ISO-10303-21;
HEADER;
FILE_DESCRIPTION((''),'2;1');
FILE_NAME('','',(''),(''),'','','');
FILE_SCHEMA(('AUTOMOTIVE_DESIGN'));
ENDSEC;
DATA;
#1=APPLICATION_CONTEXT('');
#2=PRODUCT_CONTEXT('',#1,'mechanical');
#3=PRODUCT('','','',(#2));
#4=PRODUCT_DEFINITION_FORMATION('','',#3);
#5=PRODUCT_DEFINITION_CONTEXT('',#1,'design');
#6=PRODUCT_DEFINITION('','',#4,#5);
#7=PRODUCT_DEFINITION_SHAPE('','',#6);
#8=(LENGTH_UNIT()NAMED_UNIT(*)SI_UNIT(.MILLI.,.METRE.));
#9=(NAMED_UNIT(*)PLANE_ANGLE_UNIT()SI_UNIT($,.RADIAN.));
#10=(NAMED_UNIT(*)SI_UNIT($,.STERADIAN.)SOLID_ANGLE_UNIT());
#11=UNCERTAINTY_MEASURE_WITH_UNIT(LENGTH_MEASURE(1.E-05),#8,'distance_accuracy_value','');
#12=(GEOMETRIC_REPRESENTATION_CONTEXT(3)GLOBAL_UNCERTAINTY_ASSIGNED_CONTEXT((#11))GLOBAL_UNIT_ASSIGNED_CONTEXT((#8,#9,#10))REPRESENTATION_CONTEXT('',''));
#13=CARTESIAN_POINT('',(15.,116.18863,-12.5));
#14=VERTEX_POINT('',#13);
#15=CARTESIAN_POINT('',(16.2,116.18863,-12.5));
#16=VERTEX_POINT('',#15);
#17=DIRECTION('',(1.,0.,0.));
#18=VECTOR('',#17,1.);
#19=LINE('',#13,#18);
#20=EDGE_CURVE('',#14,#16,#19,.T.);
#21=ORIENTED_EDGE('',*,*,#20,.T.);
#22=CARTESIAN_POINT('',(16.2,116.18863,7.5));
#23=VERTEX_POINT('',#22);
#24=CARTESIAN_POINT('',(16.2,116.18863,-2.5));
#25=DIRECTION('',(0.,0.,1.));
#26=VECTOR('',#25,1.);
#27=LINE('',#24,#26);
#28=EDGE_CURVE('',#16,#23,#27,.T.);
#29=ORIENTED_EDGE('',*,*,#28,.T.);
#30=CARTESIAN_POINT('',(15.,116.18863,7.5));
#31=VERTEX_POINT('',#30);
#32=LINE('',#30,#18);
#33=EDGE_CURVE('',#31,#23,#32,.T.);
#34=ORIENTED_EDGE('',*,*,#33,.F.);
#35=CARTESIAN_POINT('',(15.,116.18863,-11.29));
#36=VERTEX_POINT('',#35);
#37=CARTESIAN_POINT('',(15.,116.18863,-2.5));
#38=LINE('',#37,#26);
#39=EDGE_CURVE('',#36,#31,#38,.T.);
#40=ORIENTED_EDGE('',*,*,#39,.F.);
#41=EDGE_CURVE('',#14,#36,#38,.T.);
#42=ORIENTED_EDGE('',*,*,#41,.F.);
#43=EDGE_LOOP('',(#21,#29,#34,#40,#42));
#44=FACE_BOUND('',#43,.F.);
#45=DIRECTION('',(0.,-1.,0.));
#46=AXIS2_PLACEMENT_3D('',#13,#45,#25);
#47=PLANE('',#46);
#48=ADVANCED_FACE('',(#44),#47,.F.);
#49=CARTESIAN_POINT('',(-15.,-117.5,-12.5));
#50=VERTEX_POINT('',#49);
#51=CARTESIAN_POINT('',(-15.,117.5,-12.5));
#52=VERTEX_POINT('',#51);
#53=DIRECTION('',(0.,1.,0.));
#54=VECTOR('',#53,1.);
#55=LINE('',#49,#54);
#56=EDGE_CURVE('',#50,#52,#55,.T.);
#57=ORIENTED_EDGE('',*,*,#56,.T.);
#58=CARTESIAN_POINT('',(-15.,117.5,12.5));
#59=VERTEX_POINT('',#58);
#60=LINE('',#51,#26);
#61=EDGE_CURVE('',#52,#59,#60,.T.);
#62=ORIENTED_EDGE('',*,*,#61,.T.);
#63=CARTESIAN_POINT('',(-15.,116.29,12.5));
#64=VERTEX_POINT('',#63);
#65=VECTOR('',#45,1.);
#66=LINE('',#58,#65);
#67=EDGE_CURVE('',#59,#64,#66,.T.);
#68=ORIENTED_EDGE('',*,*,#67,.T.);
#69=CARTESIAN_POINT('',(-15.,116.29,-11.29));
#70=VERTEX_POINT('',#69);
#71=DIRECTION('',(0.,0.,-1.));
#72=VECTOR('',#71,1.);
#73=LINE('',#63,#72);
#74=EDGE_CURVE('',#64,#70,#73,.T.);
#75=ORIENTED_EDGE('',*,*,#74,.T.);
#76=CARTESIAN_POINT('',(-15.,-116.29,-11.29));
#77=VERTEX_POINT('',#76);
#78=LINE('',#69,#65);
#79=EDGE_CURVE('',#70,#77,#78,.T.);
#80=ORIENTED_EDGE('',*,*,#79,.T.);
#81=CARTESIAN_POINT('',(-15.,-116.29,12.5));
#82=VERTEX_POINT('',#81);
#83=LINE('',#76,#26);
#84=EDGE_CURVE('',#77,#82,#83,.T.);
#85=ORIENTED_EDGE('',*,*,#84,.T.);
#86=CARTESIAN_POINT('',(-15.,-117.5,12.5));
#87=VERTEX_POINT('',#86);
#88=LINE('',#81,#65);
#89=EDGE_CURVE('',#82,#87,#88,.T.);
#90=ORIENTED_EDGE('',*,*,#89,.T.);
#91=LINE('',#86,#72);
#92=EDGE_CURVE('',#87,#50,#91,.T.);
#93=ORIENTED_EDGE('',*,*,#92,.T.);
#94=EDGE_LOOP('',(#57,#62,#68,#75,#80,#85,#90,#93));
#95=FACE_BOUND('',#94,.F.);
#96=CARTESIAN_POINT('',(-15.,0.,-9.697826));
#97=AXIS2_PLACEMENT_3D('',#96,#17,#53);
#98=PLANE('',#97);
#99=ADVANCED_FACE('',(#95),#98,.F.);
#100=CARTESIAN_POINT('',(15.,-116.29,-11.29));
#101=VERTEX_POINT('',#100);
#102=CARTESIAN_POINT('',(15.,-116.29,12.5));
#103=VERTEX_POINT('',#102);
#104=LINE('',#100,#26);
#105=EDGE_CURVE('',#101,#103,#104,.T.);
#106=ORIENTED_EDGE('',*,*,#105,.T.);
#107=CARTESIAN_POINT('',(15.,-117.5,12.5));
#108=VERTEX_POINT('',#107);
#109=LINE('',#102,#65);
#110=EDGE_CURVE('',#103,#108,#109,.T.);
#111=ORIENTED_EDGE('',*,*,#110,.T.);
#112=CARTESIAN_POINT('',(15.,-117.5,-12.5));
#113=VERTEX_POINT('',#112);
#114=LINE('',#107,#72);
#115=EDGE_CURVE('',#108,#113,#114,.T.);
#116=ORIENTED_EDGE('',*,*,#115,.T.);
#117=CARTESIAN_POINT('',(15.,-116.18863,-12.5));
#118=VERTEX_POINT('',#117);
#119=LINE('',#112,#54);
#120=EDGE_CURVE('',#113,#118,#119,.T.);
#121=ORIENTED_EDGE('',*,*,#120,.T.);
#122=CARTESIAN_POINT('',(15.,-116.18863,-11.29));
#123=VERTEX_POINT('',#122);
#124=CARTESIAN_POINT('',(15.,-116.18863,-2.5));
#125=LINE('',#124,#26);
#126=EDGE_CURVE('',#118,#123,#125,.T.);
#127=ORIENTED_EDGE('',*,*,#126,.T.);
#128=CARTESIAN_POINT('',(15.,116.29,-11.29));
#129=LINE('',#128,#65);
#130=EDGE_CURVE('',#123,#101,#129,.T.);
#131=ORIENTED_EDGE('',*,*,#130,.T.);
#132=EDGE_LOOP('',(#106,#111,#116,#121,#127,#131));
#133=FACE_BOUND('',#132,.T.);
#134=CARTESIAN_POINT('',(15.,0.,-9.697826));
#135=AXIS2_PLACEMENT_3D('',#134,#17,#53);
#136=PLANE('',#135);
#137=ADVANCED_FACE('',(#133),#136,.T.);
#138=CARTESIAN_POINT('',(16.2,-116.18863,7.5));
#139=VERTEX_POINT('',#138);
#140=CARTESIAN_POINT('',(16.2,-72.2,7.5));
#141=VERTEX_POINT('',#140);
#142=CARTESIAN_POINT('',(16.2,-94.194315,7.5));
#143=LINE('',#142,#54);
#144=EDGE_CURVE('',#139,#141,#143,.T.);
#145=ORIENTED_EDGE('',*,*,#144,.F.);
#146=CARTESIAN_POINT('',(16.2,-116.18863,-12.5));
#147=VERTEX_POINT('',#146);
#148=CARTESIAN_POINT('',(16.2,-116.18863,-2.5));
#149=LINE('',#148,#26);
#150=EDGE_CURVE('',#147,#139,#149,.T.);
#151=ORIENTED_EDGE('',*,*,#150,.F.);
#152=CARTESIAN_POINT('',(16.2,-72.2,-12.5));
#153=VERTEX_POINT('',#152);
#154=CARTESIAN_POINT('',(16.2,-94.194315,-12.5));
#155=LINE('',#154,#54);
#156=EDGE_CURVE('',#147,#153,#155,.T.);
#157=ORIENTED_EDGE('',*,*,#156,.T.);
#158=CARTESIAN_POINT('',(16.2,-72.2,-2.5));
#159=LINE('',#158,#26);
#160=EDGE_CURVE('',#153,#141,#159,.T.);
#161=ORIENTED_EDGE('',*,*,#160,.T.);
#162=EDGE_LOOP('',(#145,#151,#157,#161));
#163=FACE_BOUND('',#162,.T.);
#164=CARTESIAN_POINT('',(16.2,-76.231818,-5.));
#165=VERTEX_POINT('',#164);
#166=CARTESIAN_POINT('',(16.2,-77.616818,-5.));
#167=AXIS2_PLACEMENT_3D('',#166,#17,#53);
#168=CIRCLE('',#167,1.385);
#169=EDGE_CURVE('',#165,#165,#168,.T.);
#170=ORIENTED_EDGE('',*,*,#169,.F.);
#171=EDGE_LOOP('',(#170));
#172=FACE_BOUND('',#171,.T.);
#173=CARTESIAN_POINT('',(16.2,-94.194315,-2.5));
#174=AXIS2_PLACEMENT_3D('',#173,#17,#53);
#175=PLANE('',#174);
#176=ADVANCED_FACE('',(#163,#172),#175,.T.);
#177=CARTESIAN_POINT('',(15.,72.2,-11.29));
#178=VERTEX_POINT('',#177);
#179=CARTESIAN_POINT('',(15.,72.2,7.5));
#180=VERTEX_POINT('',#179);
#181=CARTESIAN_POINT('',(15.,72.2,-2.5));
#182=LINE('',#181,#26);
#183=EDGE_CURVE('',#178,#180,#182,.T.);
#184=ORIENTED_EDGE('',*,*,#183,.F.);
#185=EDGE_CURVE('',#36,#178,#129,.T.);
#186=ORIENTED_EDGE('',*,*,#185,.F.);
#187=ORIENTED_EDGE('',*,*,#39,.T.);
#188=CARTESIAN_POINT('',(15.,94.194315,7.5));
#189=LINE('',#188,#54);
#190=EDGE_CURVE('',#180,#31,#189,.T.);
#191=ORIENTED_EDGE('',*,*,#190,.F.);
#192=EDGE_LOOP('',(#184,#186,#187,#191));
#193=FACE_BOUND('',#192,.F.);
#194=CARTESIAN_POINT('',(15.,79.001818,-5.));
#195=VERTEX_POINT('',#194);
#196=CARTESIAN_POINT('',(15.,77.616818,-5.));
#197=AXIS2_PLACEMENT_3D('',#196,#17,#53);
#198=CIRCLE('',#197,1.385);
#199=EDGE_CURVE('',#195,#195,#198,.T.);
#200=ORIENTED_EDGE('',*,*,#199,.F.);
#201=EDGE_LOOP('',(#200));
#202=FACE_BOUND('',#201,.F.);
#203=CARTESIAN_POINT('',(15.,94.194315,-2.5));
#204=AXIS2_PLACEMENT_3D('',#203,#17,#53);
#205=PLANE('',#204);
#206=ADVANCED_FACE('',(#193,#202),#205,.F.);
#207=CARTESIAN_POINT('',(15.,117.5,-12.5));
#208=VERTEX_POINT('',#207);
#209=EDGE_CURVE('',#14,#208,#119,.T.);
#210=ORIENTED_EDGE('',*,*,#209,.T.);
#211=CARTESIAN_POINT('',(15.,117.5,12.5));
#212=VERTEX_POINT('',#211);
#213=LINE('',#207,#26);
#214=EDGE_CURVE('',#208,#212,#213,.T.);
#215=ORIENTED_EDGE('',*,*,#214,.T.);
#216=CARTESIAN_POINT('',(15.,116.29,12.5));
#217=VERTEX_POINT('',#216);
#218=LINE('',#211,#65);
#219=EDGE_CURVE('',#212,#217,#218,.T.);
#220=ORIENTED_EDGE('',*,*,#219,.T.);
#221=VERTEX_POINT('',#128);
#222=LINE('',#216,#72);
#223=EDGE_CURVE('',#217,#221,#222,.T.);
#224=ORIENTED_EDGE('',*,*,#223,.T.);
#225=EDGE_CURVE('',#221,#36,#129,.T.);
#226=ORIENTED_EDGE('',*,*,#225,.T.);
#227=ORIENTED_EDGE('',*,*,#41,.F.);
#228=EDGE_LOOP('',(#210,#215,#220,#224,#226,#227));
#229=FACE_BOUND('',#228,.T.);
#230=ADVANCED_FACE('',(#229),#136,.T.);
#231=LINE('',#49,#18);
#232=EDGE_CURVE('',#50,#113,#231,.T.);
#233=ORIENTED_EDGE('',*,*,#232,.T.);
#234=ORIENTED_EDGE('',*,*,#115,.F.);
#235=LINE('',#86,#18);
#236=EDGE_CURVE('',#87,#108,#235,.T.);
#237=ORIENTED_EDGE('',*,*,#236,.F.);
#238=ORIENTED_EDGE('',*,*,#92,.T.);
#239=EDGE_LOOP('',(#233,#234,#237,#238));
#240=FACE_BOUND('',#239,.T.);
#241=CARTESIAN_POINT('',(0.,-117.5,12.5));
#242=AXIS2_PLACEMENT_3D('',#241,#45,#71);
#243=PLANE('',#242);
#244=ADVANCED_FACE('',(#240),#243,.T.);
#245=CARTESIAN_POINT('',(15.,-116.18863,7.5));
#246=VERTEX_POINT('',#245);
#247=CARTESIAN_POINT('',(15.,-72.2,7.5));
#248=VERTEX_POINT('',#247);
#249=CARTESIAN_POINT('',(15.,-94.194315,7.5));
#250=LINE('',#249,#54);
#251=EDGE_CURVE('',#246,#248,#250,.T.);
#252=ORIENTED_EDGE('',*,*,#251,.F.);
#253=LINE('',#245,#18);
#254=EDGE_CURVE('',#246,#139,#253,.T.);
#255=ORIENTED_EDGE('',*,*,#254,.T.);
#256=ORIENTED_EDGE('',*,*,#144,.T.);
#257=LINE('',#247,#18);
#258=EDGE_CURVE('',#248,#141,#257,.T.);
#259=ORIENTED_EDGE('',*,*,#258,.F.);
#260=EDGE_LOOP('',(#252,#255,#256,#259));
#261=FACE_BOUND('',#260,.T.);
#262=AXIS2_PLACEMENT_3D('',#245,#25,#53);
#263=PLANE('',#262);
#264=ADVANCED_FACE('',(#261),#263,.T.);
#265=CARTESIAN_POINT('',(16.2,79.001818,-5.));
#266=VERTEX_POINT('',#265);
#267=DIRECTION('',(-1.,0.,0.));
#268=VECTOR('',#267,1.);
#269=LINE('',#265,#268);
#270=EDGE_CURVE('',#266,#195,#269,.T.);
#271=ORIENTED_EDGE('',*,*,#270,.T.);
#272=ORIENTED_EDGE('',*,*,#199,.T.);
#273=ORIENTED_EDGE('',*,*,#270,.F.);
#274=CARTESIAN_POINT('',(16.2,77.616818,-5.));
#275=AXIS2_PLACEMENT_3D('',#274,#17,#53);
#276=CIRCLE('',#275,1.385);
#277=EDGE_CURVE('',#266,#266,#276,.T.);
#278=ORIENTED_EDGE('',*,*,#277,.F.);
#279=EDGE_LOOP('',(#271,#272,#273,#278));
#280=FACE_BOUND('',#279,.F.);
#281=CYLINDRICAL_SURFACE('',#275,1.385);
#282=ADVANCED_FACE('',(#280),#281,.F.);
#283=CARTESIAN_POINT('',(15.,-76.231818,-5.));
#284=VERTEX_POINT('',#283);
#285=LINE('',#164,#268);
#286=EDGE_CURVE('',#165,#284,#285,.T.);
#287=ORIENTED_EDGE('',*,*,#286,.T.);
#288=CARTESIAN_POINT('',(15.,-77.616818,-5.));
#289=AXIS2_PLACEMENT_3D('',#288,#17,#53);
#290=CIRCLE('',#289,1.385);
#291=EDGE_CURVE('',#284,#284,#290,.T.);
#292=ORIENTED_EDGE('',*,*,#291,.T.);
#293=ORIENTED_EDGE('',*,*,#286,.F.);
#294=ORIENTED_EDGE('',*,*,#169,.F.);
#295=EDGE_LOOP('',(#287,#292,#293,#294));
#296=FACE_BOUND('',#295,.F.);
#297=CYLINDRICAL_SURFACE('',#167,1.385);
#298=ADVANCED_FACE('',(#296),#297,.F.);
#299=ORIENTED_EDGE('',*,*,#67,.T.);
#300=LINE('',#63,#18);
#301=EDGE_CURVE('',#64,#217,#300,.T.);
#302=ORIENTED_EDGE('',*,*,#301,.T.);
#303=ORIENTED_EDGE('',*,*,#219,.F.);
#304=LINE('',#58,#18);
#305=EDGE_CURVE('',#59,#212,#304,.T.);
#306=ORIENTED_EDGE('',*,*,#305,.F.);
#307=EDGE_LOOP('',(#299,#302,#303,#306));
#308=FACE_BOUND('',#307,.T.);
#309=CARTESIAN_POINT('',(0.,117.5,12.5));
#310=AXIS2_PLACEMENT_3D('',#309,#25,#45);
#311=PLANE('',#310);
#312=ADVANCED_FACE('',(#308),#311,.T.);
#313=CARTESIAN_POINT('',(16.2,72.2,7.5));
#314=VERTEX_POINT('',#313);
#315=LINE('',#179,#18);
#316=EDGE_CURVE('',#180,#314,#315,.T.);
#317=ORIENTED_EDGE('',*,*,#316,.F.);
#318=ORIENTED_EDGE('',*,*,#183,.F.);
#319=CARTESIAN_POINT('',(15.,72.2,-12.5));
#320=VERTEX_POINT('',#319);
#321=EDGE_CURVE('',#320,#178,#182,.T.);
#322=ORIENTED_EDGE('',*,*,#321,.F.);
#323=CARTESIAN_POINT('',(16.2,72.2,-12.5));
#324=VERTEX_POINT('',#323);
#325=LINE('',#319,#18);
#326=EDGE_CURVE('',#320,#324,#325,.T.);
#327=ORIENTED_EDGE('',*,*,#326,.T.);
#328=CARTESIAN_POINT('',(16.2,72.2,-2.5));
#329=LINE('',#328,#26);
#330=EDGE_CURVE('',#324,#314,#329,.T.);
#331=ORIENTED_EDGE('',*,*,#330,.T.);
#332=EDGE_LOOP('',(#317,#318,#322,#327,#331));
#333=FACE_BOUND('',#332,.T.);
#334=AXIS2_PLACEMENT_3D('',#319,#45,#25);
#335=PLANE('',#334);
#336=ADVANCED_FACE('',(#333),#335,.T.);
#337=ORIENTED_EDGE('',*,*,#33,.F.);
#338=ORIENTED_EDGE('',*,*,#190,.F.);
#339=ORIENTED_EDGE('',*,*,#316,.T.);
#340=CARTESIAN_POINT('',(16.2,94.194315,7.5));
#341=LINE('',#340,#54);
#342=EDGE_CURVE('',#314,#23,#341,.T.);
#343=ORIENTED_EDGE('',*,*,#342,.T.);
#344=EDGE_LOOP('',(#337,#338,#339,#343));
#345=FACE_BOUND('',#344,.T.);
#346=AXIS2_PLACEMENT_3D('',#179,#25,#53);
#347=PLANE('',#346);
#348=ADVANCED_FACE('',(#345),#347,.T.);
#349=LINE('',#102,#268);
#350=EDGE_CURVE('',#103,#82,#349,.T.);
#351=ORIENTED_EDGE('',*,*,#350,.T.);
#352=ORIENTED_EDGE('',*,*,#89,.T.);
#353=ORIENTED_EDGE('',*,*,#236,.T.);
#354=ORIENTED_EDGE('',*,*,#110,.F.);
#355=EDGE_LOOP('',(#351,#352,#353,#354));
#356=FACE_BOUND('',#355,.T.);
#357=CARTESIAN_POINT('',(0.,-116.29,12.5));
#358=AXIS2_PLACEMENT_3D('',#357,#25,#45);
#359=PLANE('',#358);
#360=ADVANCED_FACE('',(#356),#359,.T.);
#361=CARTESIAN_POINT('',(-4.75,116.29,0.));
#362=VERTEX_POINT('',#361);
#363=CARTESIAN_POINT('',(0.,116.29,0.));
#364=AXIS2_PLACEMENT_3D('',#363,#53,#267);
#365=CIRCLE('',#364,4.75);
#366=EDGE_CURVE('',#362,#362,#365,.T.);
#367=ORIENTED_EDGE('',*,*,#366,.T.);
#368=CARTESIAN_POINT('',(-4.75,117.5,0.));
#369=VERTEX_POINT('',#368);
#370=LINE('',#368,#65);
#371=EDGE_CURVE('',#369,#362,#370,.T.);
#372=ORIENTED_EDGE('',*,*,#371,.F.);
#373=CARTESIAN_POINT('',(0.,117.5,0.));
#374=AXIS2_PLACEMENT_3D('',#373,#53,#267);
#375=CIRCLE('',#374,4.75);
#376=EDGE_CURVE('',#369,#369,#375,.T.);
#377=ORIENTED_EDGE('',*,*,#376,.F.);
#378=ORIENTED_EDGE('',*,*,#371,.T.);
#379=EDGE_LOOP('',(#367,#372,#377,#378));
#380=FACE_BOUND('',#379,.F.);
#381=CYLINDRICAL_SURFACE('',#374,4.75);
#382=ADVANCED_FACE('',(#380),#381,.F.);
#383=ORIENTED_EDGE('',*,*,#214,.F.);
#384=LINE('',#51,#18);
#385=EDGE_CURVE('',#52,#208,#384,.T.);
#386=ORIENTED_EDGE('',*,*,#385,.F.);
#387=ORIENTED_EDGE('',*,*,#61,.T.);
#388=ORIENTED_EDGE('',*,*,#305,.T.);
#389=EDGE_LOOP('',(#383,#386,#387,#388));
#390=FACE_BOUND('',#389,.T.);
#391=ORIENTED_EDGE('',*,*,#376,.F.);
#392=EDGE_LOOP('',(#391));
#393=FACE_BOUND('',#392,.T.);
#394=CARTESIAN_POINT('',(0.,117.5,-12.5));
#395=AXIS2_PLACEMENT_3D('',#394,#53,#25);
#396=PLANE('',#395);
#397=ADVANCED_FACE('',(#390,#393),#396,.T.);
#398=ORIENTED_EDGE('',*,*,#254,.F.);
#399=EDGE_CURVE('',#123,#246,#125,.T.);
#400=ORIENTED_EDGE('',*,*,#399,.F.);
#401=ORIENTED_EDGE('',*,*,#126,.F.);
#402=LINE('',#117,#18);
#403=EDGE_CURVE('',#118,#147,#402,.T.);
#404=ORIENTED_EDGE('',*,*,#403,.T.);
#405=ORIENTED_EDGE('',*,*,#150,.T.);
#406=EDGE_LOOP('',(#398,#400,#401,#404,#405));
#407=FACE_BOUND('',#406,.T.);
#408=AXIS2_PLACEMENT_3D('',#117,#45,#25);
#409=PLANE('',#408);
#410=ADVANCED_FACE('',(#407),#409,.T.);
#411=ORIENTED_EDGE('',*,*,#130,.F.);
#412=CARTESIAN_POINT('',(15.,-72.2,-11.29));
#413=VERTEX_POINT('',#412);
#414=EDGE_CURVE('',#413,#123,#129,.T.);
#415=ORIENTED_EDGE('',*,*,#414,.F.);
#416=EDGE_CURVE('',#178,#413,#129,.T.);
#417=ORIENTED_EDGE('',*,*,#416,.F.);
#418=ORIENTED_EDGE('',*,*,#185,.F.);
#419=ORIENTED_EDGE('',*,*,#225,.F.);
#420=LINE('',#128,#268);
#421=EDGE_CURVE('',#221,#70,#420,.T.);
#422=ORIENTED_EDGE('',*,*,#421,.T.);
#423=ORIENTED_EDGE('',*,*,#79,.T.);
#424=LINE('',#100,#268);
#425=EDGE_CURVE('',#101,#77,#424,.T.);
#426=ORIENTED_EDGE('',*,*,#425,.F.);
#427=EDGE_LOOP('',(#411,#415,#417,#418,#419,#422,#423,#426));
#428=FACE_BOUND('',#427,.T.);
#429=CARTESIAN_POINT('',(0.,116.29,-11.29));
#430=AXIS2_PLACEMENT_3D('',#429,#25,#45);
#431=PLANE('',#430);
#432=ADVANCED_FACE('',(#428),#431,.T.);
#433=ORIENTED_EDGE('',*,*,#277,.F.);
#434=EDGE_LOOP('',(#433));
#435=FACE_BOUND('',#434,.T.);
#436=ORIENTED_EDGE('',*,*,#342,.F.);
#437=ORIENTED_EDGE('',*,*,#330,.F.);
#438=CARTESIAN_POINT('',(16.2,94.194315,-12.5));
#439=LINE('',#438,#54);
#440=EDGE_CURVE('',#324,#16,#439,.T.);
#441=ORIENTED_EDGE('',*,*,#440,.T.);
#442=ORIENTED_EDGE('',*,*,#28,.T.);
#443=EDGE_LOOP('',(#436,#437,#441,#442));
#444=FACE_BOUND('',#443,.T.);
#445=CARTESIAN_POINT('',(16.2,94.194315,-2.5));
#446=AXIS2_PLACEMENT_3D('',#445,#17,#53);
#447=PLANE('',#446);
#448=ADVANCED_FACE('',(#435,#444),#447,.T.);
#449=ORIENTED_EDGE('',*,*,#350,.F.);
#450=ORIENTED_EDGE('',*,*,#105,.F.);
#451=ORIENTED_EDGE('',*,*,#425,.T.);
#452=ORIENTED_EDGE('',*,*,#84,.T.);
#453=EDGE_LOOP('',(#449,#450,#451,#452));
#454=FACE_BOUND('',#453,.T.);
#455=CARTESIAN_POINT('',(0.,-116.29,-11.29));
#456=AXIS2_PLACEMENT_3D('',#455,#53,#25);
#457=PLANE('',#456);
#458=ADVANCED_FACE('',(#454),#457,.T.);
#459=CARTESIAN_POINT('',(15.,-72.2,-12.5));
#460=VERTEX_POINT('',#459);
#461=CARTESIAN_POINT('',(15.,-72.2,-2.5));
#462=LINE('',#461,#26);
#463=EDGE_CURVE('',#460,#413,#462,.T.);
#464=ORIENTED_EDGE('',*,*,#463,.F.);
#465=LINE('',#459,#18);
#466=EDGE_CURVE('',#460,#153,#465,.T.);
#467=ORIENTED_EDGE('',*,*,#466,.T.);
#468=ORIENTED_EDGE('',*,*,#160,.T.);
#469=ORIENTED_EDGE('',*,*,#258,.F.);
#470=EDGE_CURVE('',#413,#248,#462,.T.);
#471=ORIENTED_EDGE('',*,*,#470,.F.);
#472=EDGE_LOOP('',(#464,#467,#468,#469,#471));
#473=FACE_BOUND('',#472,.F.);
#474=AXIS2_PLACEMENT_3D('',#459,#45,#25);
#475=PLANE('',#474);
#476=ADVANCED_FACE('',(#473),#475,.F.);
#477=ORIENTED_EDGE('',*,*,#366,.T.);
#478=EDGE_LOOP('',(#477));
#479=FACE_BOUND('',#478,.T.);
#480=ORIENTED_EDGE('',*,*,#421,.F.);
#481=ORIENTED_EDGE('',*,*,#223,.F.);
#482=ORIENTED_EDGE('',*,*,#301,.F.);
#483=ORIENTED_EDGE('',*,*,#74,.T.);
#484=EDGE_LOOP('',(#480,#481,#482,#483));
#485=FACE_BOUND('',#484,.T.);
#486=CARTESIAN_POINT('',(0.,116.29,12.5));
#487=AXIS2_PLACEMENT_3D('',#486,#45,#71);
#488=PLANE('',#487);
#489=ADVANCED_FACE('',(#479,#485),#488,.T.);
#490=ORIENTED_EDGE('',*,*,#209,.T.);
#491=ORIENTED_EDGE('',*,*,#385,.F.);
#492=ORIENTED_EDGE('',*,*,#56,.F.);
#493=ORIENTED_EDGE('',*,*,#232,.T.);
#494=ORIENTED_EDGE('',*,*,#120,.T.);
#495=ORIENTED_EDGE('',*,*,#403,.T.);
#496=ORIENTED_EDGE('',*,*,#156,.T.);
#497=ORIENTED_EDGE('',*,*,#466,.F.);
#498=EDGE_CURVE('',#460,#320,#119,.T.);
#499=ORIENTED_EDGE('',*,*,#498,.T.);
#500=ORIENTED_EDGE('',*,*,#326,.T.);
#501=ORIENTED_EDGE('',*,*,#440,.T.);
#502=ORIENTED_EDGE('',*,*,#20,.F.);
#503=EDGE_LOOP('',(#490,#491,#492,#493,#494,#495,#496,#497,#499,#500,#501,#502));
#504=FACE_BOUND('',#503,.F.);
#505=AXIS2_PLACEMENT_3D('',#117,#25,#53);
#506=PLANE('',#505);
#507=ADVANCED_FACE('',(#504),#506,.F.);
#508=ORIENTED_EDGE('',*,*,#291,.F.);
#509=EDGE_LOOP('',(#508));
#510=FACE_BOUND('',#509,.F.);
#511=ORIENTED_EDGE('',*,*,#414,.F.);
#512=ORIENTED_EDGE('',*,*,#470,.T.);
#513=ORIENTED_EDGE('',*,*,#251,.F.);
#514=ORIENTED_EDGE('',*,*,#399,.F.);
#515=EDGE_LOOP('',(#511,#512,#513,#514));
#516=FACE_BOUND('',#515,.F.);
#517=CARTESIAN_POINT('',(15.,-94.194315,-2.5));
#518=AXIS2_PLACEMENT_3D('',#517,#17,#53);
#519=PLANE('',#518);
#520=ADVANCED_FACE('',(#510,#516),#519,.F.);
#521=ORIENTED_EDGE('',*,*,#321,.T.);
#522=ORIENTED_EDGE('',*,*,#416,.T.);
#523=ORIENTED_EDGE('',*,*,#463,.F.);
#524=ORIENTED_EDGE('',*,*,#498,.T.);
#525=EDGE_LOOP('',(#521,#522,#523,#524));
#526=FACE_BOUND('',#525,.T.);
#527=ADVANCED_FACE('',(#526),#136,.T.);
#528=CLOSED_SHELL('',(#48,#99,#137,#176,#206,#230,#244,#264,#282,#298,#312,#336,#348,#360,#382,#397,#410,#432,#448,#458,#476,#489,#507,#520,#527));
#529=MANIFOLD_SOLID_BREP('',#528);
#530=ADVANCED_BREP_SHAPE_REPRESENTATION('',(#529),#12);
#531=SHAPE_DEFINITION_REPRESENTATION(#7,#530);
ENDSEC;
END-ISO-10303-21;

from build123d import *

# Parameters (mm, degrees)
F1_DEPTH = 15
F3_W     = 43.98863
F3_H     = 20
F4_DEPTH = 1.2
F2_R     = 4.75
F5_DEPTH = 1.21
F6_R     = 1.385
F7_DEPTH = 1.2


with BuildPart() as f1:
    # F0 (on Right) → F1 (new body, symmetric)
    with BuildSketch(Plane.YZ):
        Polygon((-116.29, 12.5), (-117.5, 12.5), (-117.5, -12.5), (117.5, -12.5), (117.5, 12.5), (116.29, 12.5), (116.29, -11.29), (0, -11.29), (-116.29, -11.29), align=None)
    extrude(amount=F1_DEPTH, both=True)

    # F3 (on face) → F4 (join)
    with BuildSketch(Plane.YZ.offset(15)):
        with Locations((-94.194315, -2.5)):
            Rectangle(F3_W, F3_H)
        with Locations((94.194315, -2.5)):
            Rectangle(F3_W, F3_H)
    extrude(amount=F4_DEPTH)

    # F2 (on face) → F5 (cut, through all)
    with BuildSketch(Plane(origin=(0, 117.5, 0), x_dir=(-1, 0, 0), z_dir=(0, 1, 0))):
        Circle(F2_R)
    extrude(amount=-F5_DEPTH, mode=Mode.SUBTRACT)

    # F6 (on face) → F7 (cut, through all)
    with BuildSketch(Plane.YZ.offset(16.2)):
        with Locations((-77.616818, -5)):
            Circle(F6_R)
        with Locations((77.616818, -5)):
            Circle(F6_R)
    extrude(amount=-F7_DEPTH, mode=Mode.SUBTRACT)


solid = f1.part
